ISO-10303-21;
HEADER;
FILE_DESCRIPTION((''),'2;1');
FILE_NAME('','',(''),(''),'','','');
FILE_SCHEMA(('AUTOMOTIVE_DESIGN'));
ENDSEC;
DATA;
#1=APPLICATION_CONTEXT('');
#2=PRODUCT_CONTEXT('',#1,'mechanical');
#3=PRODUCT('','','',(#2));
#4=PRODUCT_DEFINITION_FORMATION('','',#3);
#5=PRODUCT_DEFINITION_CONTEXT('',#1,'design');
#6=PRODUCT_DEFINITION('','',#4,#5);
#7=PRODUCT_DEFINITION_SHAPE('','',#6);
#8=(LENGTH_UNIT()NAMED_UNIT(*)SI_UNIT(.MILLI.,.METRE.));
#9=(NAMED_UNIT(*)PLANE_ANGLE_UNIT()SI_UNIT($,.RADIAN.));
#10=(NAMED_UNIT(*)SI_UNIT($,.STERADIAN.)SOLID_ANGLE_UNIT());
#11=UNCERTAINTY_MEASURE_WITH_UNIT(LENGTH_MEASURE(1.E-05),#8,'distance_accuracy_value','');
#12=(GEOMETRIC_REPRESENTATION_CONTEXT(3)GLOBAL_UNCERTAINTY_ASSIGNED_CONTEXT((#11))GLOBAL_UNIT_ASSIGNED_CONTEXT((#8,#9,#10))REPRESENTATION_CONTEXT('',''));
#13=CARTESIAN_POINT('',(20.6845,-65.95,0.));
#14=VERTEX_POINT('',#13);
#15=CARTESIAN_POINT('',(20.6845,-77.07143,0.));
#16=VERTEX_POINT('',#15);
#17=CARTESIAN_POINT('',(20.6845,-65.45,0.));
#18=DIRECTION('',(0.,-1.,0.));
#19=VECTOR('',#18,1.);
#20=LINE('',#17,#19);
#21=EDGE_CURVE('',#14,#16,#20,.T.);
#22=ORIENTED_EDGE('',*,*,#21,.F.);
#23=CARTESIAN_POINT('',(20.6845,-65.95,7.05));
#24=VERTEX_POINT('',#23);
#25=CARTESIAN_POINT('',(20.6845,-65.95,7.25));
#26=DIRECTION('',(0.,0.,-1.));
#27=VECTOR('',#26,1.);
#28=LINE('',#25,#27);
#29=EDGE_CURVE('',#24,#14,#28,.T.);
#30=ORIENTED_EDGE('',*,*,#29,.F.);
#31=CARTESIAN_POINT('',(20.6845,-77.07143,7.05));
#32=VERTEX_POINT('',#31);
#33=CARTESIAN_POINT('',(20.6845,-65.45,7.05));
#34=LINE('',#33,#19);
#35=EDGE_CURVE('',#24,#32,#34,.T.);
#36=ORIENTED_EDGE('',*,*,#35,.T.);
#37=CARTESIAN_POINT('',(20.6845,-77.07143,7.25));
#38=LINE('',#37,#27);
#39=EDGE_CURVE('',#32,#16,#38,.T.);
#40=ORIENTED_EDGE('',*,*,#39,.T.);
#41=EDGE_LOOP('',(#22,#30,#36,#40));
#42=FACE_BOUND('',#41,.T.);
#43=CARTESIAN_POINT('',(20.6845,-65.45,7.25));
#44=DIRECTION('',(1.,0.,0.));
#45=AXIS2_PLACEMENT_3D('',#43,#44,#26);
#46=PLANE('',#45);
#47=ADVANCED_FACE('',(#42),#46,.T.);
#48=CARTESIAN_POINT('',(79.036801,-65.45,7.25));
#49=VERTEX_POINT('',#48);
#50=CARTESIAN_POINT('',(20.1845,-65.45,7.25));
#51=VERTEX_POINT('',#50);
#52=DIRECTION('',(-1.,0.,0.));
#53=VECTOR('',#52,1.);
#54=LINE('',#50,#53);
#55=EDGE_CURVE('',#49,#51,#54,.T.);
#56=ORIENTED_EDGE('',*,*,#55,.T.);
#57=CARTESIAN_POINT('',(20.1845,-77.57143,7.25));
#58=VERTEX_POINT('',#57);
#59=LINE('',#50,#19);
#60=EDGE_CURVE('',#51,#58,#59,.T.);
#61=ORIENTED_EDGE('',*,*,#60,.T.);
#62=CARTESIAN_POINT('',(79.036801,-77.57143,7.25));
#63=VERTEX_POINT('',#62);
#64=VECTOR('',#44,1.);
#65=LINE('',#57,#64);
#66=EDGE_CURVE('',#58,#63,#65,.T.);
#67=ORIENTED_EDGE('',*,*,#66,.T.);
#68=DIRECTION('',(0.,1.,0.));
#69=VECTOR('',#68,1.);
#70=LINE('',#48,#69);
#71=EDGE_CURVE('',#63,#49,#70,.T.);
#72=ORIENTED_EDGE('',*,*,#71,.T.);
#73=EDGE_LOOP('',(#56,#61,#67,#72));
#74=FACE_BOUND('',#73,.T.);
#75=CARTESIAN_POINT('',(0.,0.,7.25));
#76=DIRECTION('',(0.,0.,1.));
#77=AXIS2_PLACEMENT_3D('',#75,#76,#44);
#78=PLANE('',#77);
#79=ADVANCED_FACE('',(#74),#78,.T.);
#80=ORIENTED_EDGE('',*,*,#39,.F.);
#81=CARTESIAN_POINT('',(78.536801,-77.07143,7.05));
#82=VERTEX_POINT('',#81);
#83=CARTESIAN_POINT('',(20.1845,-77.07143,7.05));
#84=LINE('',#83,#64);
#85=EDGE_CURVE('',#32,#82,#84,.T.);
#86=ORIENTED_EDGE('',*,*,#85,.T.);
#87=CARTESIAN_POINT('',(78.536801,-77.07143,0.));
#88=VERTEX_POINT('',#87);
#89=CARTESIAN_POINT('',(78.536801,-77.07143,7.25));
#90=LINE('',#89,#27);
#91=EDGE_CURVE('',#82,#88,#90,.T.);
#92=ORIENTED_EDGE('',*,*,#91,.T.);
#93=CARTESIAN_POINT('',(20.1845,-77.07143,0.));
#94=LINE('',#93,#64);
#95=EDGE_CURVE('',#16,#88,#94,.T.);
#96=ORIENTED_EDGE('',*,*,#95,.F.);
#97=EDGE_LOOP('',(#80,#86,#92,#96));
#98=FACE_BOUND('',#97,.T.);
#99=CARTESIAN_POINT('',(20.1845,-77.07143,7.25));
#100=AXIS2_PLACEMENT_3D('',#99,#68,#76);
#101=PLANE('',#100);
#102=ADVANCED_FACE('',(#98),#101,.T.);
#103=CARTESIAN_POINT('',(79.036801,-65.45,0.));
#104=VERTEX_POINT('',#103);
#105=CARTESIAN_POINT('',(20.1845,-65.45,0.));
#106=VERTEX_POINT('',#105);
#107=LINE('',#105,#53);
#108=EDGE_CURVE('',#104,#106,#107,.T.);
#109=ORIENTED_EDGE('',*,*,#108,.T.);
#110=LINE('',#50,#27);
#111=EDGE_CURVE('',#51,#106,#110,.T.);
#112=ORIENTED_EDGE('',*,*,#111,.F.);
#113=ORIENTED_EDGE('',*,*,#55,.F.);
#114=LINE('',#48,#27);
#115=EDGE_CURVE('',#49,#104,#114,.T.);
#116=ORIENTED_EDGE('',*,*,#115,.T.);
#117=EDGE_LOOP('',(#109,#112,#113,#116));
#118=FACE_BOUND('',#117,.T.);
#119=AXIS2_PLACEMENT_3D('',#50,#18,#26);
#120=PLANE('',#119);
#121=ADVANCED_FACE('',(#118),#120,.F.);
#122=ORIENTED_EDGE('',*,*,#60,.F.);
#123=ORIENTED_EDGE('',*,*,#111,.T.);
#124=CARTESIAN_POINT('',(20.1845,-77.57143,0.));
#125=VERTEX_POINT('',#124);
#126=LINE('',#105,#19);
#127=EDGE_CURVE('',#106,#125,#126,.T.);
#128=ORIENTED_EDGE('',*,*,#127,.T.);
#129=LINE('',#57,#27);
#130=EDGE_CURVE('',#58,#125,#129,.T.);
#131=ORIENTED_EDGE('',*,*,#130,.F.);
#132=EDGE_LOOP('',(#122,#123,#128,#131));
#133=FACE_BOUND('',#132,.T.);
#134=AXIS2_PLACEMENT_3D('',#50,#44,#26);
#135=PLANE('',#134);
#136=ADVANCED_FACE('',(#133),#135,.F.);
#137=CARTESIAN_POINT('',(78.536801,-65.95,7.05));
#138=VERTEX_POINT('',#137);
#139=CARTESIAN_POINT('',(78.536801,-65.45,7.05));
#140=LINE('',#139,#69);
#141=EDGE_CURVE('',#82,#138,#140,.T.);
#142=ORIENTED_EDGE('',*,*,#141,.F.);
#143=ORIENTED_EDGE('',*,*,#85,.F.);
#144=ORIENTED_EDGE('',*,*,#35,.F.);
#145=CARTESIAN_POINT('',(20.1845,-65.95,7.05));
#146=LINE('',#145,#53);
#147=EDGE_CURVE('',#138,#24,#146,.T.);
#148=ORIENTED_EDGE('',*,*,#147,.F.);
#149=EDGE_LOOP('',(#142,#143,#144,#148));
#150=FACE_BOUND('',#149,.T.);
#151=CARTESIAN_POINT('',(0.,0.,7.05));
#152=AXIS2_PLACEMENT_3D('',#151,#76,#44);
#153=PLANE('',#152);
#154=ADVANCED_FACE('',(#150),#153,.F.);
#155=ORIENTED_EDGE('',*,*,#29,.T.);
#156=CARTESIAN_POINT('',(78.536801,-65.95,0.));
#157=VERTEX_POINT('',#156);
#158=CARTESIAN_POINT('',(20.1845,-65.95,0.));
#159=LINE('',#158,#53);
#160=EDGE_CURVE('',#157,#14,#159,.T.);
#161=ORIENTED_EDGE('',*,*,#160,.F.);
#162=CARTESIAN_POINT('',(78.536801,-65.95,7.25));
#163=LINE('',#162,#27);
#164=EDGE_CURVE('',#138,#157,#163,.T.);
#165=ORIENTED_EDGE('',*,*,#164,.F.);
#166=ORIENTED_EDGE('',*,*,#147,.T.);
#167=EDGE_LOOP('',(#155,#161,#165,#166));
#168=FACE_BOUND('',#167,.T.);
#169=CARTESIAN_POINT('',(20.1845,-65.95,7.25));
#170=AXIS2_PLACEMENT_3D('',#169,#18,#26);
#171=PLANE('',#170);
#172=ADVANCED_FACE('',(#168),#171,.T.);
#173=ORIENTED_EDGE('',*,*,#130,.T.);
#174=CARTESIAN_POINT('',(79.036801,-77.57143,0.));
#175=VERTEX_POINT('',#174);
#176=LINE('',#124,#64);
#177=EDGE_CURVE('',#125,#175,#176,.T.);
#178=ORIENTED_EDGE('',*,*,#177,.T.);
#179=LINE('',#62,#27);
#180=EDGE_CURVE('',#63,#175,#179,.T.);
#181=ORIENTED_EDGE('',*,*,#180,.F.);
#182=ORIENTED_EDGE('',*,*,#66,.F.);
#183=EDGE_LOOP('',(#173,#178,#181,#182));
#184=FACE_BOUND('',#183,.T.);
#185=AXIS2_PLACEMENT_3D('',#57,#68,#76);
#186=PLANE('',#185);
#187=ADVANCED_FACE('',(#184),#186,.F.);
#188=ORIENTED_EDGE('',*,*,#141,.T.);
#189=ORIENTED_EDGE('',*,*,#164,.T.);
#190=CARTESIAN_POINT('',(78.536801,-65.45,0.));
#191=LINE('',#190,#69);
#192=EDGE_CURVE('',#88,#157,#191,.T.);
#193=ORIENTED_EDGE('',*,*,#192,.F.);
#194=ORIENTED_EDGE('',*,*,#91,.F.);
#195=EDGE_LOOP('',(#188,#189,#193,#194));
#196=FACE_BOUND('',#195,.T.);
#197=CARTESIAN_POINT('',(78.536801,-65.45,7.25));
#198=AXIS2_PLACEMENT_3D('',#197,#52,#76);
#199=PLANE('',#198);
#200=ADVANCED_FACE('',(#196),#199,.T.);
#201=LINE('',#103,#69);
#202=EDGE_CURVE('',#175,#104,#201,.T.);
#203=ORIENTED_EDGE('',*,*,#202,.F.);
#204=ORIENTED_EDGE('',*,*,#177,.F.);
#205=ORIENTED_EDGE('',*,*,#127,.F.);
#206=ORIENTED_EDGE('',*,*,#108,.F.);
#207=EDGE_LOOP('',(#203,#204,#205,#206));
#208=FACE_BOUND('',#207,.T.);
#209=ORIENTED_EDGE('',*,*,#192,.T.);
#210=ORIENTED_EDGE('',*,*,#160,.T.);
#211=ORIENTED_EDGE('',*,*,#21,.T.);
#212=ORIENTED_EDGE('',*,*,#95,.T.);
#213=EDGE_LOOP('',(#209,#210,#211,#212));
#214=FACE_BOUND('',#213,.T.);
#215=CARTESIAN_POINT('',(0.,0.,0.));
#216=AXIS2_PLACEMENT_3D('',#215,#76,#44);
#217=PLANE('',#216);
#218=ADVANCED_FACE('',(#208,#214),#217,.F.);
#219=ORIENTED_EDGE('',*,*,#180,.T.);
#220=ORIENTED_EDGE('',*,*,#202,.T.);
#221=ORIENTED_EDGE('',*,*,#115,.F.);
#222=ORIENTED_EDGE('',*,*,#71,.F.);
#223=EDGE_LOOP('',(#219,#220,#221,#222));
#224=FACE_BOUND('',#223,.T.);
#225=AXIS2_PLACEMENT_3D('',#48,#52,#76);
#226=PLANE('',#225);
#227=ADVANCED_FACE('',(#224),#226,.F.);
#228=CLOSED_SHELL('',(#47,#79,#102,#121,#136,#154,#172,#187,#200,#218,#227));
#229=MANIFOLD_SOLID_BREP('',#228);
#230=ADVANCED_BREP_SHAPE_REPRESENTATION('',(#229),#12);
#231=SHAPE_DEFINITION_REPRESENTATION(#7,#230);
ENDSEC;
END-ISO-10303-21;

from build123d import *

# Parameters (mm, degrees)
SKETCH1_W                 = 58.85230149
SKETCH1_H                 = 12.121430126
BOSS_EXTRUDE1_DEPTH       = 7.25
SHELL1_T                  = -0.5
SHELL1_THICKNESS_2_FACE_W = 57.85230149
SHELL1_THICKNESS_2_FACE_H = 11.121430126
SHELL1_THICKNESS_2_DEPTH  = 0.3


with BuildPart() as part:
    # Sketch1 → Boss-Extrude1 (new body)
    with BuildSketch(Plane.XY):
        with Locations((49.610650745, -71.510715063)):
            Rectangle(SKETCH1_W, SKETCH1_H)
    extrude(amount=BOSS_EXTRUDE1_DEPTH)

    # Shell1
    shell1_openings = [part.faces().sort_by_distance(p)[0] for p in [
        (49.610650745, -71.510715063, 0),
    ]]
    offset(amount=SHELL1_T, openings=shell1_openings, kind=Kind.INTERSECTION)

    # Shell1 thickness 2 face (on inner face of the shell) → Shell1 thickness 2 (cut)
    with BuildSketch(Plane(origin=(49.610650745, -71.510715063, 6.75), x_dir=(1, 0, 0), z_dir=(0, 0, 1))):
        Rectangle(SHELL1_THICKNESS_2_FACE_W, SHELL1_THICKNESS_2_FACE_H)
    extrude(amount=SHELL1_THICKNESS_2_DEPTH, mode=Mode.SUBTRACT)


solid = part.part
